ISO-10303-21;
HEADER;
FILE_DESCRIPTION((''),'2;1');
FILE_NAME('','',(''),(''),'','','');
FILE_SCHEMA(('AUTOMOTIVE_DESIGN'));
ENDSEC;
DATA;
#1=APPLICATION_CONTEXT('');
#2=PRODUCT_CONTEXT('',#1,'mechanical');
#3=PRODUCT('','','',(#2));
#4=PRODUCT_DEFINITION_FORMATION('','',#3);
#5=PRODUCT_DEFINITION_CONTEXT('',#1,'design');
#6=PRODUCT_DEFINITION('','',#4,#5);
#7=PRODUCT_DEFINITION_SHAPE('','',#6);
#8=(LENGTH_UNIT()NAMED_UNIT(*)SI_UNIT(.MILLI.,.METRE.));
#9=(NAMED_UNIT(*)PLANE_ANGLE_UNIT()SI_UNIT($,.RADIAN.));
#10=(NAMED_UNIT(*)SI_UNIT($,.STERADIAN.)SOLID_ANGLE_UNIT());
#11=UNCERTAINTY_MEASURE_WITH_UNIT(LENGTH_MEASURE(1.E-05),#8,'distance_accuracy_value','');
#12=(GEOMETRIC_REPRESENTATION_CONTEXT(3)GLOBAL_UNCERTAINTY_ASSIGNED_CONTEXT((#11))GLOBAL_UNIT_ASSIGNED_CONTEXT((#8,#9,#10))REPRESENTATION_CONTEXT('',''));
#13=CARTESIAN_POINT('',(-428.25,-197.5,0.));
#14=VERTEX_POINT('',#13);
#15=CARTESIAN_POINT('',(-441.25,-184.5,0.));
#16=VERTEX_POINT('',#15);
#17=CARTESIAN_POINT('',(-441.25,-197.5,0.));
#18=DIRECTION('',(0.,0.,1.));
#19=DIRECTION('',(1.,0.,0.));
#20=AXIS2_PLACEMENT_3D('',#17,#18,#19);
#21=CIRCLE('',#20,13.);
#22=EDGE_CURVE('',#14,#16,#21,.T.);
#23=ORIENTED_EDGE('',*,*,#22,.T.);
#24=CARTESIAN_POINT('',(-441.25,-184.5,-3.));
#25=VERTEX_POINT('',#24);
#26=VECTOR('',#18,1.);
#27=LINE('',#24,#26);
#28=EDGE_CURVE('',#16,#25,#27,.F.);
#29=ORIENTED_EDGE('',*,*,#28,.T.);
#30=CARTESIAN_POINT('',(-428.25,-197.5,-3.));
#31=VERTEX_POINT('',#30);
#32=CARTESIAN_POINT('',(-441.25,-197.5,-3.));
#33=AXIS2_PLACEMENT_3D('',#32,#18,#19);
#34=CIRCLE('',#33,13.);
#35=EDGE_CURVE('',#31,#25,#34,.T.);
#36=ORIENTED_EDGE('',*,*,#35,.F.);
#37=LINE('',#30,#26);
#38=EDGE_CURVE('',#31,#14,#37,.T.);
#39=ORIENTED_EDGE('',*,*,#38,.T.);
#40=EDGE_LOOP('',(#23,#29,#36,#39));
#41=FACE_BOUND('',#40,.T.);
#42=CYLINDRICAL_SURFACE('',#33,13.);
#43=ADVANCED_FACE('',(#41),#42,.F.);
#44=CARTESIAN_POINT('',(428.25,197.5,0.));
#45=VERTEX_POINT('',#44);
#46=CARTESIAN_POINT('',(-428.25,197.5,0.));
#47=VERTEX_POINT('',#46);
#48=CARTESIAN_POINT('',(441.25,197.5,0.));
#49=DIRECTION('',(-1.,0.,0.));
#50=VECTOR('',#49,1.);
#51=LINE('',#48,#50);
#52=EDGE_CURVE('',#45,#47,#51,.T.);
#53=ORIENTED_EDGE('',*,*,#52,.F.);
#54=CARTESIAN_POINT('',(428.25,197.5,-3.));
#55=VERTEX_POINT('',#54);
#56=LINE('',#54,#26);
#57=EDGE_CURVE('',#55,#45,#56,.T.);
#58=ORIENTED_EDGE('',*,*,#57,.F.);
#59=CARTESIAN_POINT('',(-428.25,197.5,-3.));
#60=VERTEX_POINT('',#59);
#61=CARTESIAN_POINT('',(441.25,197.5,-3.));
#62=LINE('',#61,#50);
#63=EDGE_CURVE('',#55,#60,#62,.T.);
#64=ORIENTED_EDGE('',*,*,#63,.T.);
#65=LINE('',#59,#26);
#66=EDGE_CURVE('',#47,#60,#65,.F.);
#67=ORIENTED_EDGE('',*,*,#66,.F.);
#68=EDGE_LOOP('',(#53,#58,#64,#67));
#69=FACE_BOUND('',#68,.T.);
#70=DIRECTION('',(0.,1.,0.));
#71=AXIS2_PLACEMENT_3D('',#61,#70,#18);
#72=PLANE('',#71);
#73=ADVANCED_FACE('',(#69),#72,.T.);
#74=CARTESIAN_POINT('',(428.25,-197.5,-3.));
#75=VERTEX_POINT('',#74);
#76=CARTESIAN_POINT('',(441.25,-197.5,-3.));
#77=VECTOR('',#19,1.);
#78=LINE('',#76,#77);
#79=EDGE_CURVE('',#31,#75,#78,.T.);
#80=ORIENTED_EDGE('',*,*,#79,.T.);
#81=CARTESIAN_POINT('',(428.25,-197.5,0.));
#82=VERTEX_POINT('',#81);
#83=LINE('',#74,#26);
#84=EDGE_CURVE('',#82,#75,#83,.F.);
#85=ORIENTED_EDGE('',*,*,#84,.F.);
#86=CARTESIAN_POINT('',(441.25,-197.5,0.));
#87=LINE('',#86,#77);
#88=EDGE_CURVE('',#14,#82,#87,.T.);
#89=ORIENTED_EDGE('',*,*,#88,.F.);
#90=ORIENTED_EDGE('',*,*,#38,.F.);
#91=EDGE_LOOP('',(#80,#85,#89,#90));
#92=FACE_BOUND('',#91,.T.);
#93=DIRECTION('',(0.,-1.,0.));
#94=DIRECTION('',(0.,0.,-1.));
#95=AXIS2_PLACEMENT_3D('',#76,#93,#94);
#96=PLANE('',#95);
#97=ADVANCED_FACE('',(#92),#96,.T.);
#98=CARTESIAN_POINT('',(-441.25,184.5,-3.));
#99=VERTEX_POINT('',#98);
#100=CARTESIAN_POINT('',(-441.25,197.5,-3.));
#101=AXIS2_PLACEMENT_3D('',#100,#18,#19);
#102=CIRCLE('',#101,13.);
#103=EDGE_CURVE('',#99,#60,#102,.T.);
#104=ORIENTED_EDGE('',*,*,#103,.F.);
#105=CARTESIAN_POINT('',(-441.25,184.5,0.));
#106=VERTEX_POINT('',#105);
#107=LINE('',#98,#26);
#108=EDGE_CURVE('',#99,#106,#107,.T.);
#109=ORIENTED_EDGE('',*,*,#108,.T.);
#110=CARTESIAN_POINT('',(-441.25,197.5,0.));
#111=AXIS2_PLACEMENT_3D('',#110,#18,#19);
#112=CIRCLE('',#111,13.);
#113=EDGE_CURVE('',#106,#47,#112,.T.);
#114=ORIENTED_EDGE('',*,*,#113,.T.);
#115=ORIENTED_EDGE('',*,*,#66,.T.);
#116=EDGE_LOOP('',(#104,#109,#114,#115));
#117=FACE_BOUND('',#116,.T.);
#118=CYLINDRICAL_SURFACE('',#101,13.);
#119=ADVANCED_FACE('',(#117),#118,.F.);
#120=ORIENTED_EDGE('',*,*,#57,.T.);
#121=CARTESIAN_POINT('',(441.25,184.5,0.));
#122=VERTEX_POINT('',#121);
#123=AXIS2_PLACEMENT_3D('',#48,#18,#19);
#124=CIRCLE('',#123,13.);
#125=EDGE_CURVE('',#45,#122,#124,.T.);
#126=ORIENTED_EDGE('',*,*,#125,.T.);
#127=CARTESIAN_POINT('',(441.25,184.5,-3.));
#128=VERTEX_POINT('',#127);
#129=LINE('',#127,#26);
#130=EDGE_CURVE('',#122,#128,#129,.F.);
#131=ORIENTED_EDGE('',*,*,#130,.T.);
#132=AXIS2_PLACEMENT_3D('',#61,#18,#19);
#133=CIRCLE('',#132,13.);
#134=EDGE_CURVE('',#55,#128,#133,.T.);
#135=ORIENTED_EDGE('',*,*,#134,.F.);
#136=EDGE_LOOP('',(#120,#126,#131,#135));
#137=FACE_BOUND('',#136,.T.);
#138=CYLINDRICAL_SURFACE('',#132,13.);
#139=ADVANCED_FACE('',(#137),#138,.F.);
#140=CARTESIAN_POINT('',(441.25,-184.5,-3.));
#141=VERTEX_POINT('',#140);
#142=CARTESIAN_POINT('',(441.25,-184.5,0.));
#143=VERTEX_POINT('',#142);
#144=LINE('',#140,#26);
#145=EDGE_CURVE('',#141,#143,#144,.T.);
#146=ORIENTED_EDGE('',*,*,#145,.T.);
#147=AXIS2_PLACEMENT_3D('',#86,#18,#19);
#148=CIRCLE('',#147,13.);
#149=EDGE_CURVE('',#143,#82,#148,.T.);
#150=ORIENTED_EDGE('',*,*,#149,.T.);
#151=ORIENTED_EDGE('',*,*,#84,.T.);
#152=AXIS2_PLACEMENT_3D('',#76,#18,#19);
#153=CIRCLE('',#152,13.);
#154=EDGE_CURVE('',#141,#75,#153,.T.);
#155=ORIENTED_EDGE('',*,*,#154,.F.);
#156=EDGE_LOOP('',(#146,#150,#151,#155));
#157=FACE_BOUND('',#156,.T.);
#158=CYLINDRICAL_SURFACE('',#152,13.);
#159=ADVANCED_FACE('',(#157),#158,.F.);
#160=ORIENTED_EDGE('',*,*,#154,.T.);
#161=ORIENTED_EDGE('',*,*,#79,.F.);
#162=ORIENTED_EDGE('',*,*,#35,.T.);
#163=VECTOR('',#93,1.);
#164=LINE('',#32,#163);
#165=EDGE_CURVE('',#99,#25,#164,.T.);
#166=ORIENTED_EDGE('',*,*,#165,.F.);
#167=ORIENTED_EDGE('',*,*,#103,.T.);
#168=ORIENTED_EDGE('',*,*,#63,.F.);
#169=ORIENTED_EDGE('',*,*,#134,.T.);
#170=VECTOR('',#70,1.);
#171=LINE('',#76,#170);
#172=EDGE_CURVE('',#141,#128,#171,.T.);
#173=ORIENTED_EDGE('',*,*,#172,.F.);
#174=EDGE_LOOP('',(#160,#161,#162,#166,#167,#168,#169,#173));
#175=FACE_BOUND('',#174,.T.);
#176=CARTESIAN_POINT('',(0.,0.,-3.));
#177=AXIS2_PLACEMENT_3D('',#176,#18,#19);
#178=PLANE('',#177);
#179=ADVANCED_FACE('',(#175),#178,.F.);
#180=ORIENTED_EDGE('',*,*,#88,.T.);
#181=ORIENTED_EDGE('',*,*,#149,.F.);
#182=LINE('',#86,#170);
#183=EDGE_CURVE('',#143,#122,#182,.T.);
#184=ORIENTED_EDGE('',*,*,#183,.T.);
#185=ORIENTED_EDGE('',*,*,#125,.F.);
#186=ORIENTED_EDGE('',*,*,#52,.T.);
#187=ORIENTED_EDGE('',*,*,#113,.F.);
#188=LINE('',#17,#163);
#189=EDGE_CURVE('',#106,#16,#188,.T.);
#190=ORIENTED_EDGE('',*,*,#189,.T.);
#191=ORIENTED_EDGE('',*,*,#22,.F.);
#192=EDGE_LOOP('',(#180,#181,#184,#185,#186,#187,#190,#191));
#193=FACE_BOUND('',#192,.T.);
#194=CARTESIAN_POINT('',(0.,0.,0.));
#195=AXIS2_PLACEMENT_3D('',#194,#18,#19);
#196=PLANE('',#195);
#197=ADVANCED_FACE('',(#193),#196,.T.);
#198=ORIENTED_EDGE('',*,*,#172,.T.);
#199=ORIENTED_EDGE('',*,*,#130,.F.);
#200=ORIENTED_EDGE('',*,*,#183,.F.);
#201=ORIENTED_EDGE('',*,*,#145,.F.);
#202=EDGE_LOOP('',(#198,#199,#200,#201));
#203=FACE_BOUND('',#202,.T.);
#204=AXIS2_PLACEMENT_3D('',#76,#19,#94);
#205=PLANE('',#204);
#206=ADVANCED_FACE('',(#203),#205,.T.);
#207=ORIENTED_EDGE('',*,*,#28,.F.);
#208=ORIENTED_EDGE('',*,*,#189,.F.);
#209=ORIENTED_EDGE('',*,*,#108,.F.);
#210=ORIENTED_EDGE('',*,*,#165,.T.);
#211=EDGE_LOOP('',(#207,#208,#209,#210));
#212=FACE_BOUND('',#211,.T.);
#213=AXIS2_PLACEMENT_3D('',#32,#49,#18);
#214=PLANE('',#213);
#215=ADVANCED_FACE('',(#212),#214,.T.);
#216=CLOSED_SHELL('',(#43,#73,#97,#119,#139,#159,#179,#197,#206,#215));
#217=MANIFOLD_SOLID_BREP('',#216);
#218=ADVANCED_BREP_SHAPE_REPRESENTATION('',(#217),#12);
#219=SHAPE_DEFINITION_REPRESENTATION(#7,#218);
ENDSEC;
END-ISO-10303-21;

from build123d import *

# Parameters (mm, degrees)
SKETCH1_W               = 882.5
SKETCH1_H               = 395
BOSS_EXTRUDE1_DEPTH     = 3
CUT_EXTRUDE1_DEPTH      = 484.442667232
CUT_EXTRUDE1_DEPTH_BACK = 484.442667232
SKETCH3_R               = 13


with BuildPart() as part:
    # Sketch1 → Boss-Extrude1 (new body)
    with BuildSketch(Plane.XY):
        Rectangle(SKETCH1_W, SKETCH1_H)
    extrude(amount=-BOSS_EXTRUDE1_DEPTH)

    # Sketch3 → Cut-Extrude1 (cut, two sides: drawn at the far end of the back side and taken through both)
    with BuildSketch(Plane.XY.offset(-CUT_EXTRUDE1_DEPTH_BACK)):
        with Locations((441.25, -197.5)):
            Circle(SKETCH3_R)
        with Locations((441.25, 197.5)):
            Circle(SKETCH3_R)
        with Locations((-441.25, 197.5)):
            Circle(SKETCH3_R)
        with Locations((-441.25, -197.5)):
            Circle(SKETCH3_R)
    extrude(amount=CUT_EXTRUDE1_DEPTH + CUT_EXTRUDE1_DEPTH_BACK, mode=Mode.SUBTRACT)


solid = part.part
